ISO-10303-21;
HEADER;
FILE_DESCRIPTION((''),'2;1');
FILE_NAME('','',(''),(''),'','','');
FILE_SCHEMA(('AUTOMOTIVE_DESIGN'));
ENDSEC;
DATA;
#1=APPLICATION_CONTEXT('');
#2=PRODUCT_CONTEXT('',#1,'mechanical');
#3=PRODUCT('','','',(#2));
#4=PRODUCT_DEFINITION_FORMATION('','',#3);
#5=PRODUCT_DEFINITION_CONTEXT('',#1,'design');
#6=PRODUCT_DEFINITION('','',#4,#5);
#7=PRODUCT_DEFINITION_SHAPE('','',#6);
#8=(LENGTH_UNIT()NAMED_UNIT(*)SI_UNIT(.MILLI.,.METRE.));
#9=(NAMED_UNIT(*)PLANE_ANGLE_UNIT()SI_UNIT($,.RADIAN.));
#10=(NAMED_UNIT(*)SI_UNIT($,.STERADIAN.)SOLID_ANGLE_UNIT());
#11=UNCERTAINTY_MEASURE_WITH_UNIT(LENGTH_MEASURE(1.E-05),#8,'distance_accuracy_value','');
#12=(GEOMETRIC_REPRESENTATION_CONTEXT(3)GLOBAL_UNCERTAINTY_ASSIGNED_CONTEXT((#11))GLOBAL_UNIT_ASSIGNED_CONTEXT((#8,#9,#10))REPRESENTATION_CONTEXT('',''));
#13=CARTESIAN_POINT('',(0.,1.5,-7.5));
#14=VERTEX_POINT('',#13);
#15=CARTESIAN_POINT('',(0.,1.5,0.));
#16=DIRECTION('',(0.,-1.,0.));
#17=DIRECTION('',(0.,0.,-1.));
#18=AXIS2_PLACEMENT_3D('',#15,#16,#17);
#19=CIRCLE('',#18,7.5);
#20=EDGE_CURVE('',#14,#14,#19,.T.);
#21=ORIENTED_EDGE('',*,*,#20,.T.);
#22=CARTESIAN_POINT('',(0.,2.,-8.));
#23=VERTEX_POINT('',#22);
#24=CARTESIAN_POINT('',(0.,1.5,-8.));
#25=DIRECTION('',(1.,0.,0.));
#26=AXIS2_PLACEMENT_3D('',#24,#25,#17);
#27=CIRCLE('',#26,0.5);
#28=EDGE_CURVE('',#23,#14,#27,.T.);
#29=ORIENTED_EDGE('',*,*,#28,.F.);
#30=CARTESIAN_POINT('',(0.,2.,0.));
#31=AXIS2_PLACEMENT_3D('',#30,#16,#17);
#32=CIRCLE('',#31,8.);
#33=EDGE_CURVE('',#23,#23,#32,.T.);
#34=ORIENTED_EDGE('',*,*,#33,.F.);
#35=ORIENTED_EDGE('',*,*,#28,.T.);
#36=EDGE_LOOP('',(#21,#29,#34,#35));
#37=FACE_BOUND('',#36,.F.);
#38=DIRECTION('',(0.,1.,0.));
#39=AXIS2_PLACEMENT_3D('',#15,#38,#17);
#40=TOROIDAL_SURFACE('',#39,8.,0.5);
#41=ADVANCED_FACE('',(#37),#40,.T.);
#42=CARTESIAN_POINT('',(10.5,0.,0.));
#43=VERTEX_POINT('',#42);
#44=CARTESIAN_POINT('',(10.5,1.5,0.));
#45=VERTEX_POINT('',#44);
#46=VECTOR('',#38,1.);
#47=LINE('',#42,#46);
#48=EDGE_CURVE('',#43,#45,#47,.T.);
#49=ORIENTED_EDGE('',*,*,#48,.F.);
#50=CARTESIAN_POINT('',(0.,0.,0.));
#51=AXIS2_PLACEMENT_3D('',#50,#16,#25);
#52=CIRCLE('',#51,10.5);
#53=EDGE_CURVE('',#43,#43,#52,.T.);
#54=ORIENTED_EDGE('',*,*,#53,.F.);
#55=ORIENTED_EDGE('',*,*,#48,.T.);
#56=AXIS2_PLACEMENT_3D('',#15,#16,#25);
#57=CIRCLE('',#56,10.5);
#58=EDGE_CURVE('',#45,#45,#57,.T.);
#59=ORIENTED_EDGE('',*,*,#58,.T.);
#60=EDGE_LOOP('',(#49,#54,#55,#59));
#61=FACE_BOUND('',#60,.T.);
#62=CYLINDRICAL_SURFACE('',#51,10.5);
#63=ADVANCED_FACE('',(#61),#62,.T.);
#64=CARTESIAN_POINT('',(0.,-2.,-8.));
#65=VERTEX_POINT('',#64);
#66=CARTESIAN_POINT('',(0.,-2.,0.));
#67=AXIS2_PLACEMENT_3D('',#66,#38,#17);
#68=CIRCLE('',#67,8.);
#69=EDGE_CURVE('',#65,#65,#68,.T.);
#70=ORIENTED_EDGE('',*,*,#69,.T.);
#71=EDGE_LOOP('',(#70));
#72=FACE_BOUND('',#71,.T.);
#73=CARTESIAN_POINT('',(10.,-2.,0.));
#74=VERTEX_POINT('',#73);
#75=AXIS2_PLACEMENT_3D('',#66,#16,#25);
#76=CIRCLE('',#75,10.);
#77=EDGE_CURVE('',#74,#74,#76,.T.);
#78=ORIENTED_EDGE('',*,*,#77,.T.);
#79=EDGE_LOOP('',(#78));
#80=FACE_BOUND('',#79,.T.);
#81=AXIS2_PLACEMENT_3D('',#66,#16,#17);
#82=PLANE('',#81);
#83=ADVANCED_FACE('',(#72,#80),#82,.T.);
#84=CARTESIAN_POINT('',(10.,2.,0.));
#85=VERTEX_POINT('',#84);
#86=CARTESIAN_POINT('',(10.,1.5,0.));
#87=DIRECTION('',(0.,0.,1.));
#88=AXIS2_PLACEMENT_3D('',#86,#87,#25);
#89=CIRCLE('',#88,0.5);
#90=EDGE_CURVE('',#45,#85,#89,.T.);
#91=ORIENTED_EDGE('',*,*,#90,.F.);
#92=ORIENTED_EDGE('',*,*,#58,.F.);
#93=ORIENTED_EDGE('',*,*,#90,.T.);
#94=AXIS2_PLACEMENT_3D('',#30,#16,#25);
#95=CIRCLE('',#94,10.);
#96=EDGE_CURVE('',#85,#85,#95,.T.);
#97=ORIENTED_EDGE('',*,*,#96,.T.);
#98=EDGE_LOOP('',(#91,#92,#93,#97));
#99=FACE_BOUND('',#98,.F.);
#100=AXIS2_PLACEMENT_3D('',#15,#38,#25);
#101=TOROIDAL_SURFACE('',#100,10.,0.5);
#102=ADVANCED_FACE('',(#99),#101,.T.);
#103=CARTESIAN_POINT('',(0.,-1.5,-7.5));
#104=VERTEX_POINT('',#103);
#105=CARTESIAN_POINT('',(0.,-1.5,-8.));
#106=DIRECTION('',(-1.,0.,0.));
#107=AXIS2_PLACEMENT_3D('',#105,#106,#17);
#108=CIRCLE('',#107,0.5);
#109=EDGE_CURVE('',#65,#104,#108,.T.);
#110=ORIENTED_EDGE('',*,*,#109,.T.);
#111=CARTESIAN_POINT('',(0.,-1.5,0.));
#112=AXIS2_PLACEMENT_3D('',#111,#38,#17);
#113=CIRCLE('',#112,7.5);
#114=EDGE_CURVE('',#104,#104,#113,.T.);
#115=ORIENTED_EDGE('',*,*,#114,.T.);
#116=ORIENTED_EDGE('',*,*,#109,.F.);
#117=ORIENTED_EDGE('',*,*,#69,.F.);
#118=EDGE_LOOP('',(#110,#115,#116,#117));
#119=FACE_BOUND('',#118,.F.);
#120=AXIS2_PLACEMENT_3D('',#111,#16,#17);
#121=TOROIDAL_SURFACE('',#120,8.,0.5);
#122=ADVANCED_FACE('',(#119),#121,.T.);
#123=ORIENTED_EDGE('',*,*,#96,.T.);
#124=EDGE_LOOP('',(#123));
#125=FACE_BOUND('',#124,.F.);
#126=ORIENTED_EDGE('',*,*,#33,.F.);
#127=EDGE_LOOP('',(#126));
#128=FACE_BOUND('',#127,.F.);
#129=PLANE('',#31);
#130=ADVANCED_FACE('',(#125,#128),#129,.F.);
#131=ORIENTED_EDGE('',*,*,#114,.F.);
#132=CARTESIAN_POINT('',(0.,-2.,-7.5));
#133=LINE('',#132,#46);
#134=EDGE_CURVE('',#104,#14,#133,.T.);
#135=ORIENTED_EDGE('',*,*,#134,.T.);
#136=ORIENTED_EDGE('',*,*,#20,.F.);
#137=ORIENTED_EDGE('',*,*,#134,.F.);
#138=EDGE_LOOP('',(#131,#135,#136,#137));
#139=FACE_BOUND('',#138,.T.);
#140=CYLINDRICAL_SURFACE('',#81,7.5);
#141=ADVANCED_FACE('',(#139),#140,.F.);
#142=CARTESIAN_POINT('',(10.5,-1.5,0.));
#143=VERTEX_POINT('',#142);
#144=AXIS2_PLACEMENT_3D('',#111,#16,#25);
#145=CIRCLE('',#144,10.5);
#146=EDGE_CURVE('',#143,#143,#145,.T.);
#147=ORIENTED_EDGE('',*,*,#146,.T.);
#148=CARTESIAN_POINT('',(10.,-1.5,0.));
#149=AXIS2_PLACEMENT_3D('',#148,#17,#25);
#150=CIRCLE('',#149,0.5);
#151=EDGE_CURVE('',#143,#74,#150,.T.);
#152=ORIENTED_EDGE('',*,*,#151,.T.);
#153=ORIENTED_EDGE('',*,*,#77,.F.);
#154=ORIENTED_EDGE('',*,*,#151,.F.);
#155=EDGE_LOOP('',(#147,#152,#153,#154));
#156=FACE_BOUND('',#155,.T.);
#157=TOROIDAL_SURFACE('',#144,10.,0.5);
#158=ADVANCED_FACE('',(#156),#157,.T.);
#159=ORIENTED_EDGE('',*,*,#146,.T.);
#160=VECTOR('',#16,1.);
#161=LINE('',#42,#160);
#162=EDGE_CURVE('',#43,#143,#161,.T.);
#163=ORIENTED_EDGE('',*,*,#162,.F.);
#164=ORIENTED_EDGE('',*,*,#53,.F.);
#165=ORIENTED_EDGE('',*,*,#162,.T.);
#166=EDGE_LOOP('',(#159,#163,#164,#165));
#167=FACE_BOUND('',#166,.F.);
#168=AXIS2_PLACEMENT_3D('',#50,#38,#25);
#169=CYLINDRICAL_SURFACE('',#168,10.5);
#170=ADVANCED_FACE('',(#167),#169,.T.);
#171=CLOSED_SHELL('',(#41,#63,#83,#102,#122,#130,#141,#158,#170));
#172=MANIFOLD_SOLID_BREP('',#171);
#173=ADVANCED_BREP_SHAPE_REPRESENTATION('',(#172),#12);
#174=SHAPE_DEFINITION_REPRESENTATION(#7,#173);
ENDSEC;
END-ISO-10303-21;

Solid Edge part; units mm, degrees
sketch "Sketch1" plane through (0, 0, 0) normal (0, -1, 0) x (1, 0, 0)
  circle A0 centre (0, 0) radius 10.5
  dimension "D1" = 21
extrude "Protrusion1" add sketch "Sketch1" along normal mid plane 4
hole "Bohrung_1" at (0, -2, 0) direction (0, 1, 0) diameter 15 end up to next
fillet "Verrundung_1" radius 0.5 4 edges at (-10.5, -2, 0) (-10.5, 2, 0) (-7.5, -2, 0) (0, 2, -7.5)
properties material "Aluminium, 1060"
